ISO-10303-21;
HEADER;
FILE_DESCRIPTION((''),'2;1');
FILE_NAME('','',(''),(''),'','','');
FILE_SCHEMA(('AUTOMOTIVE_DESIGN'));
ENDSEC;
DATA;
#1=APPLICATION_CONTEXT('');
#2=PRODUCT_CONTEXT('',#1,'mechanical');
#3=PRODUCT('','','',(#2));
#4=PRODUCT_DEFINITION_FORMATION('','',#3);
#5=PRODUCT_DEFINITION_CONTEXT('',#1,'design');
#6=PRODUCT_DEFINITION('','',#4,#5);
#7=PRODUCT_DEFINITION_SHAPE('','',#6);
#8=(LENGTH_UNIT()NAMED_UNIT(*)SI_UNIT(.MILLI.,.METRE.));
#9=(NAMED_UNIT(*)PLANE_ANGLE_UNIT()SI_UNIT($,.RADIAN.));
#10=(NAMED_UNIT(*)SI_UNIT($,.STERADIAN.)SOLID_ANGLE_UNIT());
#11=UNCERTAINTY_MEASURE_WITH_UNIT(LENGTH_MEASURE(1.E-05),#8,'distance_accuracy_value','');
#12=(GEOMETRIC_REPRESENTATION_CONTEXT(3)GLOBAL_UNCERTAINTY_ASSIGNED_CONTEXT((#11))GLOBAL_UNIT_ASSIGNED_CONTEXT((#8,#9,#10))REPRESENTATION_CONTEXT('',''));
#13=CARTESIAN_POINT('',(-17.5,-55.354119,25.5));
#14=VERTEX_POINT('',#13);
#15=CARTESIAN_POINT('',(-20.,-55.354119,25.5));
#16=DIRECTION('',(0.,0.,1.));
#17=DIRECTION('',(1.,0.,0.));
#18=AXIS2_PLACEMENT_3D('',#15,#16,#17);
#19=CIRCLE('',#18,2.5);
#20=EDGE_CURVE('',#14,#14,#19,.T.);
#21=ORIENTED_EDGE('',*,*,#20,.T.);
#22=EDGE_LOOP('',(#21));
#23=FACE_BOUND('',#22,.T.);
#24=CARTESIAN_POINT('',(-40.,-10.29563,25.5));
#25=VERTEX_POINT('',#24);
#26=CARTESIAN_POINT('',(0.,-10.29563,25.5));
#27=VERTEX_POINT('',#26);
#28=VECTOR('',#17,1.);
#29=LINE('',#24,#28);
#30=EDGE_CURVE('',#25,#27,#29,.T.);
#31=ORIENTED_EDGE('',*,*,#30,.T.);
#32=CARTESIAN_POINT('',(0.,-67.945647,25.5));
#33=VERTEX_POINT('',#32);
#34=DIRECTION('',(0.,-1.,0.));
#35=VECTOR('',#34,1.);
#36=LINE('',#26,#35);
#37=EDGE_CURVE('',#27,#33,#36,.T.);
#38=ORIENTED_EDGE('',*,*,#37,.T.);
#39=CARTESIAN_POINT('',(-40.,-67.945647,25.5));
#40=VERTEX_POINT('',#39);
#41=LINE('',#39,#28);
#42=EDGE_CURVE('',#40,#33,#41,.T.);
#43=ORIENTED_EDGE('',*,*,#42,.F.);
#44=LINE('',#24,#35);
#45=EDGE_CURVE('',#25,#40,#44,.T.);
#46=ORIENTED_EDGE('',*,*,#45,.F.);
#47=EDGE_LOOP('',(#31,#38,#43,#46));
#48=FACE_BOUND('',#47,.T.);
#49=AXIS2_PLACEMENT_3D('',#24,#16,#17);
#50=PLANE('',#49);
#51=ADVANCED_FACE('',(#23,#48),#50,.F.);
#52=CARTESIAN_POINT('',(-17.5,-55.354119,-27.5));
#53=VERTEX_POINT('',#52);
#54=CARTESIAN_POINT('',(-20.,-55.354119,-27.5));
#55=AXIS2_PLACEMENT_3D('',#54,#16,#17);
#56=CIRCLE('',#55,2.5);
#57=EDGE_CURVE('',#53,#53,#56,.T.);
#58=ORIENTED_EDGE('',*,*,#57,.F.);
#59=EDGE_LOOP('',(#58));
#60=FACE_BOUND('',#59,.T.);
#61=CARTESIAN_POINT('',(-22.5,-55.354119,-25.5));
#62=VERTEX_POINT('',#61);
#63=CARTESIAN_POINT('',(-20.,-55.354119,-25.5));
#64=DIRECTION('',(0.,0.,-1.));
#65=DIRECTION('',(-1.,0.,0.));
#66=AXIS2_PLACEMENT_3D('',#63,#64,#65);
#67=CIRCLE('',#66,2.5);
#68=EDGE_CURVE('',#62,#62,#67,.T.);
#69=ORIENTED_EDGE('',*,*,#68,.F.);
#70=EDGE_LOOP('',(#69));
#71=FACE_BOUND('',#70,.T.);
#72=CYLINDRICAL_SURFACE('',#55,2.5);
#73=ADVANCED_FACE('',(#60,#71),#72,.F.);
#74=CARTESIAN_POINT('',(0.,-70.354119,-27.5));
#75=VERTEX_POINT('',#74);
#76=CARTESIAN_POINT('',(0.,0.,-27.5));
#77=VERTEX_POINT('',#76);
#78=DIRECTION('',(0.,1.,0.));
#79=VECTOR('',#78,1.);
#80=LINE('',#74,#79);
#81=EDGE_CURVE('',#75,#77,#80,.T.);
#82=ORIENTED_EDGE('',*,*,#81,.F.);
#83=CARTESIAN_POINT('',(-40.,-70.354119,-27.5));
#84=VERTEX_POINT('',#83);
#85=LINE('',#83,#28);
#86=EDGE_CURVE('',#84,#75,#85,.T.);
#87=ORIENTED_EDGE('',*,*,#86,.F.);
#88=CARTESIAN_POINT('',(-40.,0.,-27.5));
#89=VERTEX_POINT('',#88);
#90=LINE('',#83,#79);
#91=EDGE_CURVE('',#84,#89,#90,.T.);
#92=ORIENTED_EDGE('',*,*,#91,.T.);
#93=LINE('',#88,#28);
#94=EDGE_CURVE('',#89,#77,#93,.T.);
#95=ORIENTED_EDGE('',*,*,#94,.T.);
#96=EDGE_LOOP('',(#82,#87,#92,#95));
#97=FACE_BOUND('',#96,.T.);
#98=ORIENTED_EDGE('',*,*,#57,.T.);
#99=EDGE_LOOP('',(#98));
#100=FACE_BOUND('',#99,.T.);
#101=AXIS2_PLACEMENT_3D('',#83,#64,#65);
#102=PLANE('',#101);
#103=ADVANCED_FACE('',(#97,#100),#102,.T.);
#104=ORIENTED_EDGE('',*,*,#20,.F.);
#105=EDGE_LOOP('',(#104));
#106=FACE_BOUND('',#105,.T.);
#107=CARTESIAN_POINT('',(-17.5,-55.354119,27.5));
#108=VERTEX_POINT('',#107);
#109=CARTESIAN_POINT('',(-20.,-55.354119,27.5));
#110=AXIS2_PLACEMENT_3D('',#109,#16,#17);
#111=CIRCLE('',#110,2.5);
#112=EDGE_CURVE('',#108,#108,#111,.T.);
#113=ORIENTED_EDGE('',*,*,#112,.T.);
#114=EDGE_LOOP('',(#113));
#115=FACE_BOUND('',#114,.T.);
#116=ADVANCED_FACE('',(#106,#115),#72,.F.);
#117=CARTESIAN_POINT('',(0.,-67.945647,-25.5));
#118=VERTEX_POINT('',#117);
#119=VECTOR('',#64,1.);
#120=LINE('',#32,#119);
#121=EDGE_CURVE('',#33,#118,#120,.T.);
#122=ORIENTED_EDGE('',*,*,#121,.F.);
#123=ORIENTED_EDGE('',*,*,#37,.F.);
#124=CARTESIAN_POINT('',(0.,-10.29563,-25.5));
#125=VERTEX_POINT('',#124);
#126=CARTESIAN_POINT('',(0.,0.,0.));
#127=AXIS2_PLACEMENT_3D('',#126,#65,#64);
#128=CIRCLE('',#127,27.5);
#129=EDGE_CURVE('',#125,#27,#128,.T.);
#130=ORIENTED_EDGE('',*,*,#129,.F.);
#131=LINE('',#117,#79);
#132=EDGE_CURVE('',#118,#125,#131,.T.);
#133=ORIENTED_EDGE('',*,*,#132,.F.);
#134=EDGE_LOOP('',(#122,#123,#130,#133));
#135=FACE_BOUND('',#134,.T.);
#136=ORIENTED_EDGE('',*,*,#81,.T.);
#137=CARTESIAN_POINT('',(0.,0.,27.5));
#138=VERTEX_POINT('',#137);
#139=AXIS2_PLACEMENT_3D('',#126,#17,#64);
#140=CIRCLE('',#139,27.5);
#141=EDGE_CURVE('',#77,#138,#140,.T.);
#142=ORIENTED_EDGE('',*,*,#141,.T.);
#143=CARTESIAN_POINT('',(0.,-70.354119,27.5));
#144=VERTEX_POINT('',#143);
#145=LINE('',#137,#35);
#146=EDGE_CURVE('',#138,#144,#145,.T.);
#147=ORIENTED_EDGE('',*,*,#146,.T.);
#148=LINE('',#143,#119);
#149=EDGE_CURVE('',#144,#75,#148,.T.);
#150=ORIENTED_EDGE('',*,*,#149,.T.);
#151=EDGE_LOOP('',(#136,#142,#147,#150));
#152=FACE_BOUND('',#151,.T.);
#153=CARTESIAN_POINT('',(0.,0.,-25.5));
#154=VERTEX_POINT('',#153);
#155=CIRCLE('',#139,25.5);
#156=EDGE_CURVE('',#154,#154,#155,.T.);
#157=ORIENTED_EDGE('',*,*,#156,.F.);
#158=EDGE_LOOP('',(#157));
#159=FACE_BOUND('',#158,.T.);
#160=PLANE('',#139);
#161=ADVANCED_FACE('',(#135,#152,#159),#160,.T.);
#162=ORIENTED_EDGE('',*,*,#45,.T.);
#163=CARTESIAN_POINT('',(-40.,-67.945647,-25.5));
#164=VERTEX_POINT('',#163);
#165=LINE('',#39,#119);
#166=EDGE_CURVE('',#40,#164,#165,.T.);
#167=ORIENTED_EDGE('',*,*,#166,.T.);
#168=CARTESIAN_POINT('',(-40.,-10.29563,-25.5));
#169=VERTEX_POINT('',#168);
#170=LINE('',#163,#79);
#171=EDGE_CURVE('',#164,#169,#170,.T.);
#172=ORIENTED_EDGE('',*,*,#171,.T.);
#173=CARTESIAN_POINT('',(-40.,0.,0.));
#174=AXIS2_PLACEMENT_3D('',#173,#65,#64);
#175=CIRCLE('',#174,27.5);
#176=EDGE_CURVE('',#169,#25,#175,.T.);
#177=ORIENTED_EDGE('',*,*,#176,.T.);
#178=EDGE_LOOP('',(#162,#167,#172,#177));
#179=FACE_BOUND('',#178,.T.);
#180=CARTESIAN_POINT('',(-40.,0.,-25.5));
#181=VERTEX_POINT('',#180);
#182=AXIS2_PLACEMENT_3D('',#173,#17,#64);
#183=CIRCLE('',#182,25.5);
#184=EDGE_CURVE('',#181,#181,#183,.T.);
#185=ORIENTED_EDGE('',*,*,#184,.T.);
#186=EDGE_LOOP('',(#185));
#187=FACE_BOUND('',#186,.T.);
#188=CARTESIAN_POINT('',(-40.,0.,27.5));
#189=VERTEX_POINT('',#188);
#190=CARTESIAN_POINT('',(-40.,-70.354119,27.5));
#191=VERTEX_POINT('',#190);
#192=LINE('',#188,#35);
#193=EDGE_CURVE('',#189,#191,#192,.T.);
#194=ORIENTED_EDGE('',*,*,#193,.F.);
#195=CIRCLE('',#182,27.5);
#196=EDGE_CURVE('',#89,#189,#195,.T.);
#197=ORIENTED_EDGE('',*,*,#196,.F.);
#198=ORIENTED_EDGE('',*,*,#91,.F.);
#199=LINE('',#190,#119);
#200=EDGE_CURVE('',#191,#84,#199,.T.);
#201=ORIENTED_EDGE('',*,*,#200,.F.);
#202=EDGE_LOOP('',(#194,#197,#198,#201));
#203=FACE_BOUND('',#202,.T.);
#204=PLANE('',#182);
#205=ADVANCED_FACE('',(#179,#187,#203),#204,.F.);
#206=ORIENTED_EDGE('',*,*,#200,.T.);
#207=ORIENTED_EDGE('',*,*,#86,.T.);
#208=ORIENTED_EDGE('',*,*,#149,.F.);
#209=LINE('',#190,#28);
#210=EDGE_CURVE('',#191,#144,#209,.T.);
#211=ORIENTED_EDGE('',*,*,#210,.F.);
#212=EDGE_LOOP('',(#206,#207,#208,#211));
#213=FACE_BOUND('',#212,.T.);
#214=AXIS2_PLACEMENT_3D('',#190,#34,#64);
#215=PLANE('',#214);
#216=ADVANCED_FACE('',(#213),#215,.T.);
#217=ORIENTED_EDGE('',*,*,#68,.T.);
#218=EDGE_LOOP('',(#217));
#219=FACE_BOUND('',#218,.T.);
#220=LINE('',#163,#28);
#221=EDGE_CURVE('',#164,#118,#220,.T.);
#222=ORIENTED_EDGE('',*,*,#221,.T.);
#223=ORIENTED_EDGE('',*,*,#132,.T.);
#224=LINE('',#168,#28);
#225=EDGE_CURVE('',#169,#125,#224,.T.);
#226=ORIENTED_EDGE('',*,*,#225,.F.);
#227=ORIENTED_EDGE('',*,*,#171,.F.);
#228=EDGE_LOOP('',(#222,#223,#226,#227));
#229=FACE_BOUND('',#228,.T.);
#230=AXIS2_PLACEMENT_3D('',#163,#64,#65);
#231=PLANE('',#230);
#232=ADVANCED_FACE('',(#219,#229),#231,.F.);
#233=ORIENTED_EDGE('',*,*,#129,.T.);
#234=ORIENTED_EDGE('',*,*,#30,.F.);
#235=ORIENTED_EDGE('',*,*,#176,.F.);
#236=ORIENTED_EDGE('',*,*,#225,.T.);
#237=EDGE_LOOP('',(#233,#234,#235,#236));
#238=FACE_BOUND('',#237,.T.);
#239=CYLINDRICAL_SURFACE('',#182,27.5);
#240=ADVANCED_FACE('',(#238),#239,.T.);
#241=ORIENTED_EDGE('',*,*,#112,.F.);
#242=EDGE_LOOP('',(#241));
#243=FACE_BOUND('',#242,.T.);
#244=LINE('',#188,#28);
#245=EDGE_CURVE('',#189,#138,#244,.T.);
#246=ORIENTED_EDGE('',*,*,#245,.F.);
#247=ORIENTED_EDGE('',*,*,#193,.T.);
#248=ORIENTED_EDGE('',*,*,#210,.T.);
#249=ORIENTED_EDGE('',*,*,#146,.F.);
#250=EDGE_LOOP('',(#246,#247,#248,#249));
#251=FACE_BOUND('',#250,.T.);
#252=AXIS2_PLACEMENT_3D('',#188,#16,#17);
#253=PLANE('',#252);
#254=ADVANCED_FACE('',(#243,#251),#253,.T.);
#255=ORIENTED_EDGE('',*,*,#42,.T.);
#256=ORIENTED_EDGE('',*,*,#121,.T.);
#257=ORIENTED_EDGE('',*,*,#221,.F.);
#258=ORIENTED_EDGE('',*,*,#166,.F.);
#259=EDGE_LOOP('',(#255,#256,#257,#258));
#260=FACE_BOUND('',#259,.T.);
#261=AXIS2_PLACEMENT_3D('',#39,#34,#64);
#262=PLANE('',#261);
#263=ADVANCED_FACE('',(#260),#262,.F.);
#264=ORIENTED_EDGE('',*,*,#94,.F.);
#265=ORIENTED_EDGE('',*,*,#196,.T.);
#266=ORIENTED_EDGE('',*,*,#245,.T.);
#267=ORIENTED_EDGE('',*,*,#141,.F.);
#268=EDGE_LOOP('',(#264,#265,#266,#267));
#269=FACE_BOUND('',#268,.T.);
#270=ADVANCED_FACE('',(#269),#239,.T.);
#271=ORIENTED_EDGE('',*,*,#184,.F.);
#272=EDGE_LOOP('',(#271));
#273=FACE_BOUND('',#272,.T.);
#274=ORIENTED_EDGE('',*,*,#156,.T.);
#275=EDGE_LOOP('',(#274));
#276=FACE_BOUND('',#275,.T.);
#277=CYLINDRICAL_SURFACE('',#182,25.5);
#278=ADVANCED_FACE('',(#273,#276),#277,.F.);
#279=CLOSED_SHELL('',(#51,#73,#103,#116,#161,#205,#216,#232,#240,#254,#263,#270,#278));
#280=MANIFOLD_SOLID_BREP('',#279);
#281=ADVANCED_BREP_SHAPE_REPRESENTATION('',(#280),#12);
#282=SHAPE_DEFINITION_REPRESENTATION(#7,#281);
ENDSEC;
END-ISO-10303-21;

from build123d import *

# Parameters (mm, degrees)
SKETCH1_R           = 25.5
BOSS_EXTRUDE1_DEPTH = 40
SKETCH2_R           = 2.5
CUT_EXTRUDE1_DEPTH  = 98.850406679


with BuildPart() as part:
    # Sketch1 → Boss-Extrude1 (new body)
    with BuildSketch(Plane(origin=(0, 0, 0), x_dir=(0, 0, -1), z_dir=(1, 0, 0))):
        with BuildLine():
            Line((-27.5, 0), (-27.5, -70.354119191))
            Line((-27.5, -70.354119191), (27.5, -70.354119191))
            Line((27.5, -70.354119191), (27.5, 0))
            ThreePointArc((27.5, 0), (0, 27.5), (-27.5, 0))
        make_face()
        Circle(SKETCH1_R, mode=Mode.SUBTRACT)
        with BuildLine():
            Line((-25.5, -10.295630141), (-25.5, -67.945646506))
            Line((-25.5, -67.945646506), (25.5, -67.945646506))
            Line((25.5, -67.945646506), (25.5, -10.295630141))
            ThreePointArc((25.5, -10.295630141), (0, -27.5), (-25.5, -10.295630141))
        make_face(mode=Mode.SUBTRACT)
    extrude(amount=-BOSS_EXTRUDE1_DEPTH)

    # Sketch2 → Cut-Extrude1 (cut, through all)
    with BuildSketch(Plane.XY.offset(27.5)):
        with Locations((-20, -55.354119191)):
            Circle(SKETCH2_R)
    extrude(amount=-CUT_EXTRUDE1_DEPTH, mode=Mode.SUBTRACT)


solid = part.part
